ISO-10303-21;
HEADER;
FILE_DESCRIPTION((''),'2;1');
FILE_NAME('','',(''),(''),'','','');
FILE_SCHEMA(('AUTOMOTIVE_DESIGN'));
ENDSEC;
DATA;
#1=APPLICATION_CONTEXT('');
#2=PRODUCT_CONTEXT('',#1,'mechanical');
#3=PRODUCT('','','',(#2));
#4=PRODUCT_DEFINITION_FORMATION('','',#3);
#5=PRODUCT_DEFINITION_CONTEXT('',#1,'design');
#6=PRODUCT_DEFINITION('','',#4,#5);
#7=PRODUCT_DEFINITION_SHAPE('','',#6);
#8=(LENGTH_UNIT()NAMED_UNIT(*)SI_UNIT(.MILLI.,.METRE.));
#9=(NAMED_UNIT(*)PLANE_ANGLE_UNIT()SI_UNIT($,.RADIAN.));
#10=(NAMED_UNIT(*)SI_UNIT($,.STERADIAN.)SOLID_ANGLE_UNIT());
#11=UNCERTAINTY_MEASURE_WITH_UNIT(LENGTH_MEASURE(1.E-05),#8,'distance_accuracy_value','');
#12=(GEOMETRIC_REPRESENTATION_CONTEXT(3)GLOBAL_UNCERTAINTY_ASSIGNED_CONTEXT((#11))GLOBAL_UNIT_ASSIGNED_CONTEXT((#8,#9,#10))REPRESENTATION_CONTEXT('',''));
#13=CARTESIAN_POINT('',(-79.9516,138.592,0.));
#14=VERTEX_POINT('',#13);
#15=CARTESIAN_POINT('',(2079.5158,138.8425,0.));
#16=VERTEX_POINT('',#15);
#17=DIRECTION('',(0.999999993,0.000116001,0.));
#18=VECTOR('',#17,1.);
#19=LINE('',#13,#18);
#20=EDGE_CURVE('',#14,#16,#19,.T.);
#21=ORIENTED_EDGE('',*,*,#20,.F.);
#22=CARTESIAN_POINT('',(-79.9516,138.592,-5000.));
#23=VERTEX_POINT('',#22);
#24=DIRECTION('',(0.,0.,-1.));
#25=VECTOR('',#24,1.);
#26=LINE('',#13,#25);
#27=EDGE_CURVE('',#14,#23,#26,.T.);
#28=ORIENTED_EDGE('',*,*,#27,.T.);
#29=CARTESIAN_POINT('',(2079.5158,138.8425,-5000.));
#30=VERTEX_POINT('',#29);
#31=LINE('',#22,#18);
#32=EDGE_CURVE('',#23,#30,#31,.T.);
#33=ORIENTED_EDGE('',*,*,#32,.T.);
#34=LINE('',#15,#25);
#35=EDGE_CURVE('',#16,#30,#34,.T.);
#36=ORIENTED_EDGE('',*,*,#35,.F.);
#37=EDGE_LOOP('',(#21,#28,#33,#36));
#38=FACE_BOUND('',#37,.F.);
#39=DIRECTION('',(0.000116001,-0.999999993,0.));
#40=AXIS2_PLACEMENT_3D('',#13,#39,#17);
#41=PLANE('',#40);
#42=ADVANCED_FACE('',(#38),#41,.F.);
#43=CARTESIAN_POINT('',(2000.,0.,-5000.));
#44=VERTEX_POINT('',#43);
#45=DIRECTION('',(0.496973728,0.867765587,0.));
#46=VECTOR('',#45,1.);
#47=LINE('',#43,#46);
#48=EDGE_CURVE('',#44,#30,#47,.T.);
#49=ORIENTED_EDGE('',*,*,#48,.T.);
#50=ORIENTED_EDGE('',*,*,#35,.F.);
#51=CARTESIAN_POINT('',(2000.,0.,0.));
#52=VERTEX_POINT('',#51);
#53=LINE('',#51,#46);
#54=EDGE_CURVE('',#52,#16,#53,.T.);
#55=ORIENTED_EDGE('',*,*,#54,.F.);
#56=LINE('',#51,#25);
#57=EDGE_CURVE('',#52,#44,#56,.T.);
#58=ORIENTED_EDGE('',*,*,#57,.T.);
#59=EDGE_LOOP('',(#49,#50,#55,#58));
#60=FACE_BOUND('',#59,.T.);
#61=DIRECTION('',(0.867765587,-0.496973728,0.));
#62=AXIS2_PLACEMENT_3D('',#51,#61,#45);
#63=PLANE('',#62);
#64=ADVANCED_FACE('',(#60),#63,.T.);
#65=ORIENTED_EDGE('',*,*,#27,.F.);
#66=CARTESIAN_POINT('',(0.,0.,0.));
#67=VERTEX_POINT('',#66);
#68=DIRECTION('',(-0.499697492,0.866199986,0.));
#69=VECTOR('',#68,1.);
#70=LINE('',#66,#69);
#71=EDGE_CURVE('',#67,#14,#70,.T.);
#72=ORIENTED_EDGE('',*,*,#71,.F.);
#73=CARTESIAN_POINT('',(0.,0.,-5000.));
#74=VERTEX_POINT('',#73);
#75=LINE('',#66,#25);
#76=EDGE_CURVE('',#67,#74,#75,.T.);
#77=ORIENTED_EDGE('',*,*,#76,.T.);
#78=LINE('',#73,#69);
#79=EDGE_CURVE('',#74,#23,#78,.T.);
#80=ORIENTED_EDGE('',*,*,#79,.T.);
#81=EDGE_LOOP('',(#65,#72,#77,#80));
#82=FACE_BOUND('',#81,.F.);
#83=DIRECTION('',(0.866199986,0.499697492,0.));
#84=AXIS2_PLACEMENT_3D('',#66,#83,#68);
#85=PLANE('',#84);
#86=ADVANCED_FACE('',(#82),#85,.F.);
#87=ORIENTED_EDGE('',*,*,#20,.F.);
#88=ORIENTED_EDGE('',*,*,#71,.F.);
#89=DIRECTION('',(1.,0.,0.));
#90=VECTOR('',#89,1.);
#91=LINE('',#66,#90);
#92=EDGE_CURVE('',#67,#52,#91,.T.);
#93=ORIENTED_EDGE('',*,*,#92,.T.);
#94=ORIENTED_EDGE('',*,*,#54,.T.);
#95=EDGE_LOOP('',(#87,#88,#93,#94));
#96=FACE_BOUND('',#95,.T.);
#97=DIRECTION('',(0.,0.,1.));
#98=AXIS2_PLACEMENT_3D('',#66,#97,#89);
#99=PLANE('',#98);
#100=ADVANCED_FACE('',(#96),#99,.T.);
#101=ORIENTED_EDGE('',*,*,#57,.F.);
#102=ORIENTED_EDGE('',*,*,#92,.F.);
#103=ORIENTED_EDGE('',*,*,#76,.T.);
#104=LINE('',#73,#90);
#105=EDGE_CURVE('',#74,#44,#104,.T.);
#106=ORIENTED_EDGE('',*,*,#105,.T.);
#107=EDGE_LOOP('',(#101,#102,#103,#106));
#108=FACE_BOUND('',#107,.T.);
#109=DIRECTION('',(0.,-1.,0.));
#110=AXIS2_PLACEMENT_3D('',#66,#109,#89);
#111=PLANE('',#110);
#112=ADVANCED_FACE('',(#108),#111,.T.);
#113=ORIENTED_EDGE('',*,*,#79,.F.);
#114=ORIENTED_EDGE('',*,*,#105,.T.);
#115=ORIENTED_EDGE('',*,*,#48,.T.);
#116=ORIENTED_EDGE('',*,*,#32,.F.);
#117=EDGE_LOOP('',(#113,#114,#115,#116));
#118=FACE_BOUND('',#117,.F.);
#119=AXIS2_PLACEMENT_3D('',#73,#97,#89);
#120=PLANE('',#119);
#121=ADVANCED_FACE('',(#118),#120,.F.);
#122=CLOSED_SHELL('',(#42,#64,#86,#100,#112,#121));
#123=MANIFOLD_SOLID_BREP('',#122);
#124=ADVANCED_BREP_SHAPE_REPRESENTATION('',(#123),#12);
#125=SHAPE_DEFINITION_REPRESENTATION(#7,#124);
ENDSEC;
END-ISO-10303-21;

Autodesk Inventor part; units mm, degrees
ref_plane "YZ Plane" through (0, 0, 0) normal (1, 0, 0) x (0, 1, 0)
ref_plane "XZ Plane" through (0, 0, 0) normal (0, 1, 0) x (-1, 0, 0)
ref_plane "XY Plane" through (0, 0, 0) normal (0, 0, 1) x (1, 0, 0)
sketch "Sketch1" plane through (0, 0, 0) normal (0, 0, 1) x (1, 0, 0)
  line L0 (0, 0) -> (2000, 0)
  line L1 (0, 0) -> (-79.9516, 138.592)
  line L2 (0, 0) -> (160, 0) construction
  line L3 (2000, 0) -> (2079.5158, 138.8425)
  line L4 (2000, 0) -> (2160, 0) construction
  line L5 (-79.9516, 138.592) -> (2079.5158, 138.8425)
  dimension "d0" = 2000
  dimension "d1" = 160
  dimension "d2" = 119.98
  dimension "d3" = 160
  dimension "d4" = 60.2
  dimension "d5" = 2159.4675
extrude "Extrusion1" add sketch "Sketch1" against normal blind 5000
properties part number "watah"
